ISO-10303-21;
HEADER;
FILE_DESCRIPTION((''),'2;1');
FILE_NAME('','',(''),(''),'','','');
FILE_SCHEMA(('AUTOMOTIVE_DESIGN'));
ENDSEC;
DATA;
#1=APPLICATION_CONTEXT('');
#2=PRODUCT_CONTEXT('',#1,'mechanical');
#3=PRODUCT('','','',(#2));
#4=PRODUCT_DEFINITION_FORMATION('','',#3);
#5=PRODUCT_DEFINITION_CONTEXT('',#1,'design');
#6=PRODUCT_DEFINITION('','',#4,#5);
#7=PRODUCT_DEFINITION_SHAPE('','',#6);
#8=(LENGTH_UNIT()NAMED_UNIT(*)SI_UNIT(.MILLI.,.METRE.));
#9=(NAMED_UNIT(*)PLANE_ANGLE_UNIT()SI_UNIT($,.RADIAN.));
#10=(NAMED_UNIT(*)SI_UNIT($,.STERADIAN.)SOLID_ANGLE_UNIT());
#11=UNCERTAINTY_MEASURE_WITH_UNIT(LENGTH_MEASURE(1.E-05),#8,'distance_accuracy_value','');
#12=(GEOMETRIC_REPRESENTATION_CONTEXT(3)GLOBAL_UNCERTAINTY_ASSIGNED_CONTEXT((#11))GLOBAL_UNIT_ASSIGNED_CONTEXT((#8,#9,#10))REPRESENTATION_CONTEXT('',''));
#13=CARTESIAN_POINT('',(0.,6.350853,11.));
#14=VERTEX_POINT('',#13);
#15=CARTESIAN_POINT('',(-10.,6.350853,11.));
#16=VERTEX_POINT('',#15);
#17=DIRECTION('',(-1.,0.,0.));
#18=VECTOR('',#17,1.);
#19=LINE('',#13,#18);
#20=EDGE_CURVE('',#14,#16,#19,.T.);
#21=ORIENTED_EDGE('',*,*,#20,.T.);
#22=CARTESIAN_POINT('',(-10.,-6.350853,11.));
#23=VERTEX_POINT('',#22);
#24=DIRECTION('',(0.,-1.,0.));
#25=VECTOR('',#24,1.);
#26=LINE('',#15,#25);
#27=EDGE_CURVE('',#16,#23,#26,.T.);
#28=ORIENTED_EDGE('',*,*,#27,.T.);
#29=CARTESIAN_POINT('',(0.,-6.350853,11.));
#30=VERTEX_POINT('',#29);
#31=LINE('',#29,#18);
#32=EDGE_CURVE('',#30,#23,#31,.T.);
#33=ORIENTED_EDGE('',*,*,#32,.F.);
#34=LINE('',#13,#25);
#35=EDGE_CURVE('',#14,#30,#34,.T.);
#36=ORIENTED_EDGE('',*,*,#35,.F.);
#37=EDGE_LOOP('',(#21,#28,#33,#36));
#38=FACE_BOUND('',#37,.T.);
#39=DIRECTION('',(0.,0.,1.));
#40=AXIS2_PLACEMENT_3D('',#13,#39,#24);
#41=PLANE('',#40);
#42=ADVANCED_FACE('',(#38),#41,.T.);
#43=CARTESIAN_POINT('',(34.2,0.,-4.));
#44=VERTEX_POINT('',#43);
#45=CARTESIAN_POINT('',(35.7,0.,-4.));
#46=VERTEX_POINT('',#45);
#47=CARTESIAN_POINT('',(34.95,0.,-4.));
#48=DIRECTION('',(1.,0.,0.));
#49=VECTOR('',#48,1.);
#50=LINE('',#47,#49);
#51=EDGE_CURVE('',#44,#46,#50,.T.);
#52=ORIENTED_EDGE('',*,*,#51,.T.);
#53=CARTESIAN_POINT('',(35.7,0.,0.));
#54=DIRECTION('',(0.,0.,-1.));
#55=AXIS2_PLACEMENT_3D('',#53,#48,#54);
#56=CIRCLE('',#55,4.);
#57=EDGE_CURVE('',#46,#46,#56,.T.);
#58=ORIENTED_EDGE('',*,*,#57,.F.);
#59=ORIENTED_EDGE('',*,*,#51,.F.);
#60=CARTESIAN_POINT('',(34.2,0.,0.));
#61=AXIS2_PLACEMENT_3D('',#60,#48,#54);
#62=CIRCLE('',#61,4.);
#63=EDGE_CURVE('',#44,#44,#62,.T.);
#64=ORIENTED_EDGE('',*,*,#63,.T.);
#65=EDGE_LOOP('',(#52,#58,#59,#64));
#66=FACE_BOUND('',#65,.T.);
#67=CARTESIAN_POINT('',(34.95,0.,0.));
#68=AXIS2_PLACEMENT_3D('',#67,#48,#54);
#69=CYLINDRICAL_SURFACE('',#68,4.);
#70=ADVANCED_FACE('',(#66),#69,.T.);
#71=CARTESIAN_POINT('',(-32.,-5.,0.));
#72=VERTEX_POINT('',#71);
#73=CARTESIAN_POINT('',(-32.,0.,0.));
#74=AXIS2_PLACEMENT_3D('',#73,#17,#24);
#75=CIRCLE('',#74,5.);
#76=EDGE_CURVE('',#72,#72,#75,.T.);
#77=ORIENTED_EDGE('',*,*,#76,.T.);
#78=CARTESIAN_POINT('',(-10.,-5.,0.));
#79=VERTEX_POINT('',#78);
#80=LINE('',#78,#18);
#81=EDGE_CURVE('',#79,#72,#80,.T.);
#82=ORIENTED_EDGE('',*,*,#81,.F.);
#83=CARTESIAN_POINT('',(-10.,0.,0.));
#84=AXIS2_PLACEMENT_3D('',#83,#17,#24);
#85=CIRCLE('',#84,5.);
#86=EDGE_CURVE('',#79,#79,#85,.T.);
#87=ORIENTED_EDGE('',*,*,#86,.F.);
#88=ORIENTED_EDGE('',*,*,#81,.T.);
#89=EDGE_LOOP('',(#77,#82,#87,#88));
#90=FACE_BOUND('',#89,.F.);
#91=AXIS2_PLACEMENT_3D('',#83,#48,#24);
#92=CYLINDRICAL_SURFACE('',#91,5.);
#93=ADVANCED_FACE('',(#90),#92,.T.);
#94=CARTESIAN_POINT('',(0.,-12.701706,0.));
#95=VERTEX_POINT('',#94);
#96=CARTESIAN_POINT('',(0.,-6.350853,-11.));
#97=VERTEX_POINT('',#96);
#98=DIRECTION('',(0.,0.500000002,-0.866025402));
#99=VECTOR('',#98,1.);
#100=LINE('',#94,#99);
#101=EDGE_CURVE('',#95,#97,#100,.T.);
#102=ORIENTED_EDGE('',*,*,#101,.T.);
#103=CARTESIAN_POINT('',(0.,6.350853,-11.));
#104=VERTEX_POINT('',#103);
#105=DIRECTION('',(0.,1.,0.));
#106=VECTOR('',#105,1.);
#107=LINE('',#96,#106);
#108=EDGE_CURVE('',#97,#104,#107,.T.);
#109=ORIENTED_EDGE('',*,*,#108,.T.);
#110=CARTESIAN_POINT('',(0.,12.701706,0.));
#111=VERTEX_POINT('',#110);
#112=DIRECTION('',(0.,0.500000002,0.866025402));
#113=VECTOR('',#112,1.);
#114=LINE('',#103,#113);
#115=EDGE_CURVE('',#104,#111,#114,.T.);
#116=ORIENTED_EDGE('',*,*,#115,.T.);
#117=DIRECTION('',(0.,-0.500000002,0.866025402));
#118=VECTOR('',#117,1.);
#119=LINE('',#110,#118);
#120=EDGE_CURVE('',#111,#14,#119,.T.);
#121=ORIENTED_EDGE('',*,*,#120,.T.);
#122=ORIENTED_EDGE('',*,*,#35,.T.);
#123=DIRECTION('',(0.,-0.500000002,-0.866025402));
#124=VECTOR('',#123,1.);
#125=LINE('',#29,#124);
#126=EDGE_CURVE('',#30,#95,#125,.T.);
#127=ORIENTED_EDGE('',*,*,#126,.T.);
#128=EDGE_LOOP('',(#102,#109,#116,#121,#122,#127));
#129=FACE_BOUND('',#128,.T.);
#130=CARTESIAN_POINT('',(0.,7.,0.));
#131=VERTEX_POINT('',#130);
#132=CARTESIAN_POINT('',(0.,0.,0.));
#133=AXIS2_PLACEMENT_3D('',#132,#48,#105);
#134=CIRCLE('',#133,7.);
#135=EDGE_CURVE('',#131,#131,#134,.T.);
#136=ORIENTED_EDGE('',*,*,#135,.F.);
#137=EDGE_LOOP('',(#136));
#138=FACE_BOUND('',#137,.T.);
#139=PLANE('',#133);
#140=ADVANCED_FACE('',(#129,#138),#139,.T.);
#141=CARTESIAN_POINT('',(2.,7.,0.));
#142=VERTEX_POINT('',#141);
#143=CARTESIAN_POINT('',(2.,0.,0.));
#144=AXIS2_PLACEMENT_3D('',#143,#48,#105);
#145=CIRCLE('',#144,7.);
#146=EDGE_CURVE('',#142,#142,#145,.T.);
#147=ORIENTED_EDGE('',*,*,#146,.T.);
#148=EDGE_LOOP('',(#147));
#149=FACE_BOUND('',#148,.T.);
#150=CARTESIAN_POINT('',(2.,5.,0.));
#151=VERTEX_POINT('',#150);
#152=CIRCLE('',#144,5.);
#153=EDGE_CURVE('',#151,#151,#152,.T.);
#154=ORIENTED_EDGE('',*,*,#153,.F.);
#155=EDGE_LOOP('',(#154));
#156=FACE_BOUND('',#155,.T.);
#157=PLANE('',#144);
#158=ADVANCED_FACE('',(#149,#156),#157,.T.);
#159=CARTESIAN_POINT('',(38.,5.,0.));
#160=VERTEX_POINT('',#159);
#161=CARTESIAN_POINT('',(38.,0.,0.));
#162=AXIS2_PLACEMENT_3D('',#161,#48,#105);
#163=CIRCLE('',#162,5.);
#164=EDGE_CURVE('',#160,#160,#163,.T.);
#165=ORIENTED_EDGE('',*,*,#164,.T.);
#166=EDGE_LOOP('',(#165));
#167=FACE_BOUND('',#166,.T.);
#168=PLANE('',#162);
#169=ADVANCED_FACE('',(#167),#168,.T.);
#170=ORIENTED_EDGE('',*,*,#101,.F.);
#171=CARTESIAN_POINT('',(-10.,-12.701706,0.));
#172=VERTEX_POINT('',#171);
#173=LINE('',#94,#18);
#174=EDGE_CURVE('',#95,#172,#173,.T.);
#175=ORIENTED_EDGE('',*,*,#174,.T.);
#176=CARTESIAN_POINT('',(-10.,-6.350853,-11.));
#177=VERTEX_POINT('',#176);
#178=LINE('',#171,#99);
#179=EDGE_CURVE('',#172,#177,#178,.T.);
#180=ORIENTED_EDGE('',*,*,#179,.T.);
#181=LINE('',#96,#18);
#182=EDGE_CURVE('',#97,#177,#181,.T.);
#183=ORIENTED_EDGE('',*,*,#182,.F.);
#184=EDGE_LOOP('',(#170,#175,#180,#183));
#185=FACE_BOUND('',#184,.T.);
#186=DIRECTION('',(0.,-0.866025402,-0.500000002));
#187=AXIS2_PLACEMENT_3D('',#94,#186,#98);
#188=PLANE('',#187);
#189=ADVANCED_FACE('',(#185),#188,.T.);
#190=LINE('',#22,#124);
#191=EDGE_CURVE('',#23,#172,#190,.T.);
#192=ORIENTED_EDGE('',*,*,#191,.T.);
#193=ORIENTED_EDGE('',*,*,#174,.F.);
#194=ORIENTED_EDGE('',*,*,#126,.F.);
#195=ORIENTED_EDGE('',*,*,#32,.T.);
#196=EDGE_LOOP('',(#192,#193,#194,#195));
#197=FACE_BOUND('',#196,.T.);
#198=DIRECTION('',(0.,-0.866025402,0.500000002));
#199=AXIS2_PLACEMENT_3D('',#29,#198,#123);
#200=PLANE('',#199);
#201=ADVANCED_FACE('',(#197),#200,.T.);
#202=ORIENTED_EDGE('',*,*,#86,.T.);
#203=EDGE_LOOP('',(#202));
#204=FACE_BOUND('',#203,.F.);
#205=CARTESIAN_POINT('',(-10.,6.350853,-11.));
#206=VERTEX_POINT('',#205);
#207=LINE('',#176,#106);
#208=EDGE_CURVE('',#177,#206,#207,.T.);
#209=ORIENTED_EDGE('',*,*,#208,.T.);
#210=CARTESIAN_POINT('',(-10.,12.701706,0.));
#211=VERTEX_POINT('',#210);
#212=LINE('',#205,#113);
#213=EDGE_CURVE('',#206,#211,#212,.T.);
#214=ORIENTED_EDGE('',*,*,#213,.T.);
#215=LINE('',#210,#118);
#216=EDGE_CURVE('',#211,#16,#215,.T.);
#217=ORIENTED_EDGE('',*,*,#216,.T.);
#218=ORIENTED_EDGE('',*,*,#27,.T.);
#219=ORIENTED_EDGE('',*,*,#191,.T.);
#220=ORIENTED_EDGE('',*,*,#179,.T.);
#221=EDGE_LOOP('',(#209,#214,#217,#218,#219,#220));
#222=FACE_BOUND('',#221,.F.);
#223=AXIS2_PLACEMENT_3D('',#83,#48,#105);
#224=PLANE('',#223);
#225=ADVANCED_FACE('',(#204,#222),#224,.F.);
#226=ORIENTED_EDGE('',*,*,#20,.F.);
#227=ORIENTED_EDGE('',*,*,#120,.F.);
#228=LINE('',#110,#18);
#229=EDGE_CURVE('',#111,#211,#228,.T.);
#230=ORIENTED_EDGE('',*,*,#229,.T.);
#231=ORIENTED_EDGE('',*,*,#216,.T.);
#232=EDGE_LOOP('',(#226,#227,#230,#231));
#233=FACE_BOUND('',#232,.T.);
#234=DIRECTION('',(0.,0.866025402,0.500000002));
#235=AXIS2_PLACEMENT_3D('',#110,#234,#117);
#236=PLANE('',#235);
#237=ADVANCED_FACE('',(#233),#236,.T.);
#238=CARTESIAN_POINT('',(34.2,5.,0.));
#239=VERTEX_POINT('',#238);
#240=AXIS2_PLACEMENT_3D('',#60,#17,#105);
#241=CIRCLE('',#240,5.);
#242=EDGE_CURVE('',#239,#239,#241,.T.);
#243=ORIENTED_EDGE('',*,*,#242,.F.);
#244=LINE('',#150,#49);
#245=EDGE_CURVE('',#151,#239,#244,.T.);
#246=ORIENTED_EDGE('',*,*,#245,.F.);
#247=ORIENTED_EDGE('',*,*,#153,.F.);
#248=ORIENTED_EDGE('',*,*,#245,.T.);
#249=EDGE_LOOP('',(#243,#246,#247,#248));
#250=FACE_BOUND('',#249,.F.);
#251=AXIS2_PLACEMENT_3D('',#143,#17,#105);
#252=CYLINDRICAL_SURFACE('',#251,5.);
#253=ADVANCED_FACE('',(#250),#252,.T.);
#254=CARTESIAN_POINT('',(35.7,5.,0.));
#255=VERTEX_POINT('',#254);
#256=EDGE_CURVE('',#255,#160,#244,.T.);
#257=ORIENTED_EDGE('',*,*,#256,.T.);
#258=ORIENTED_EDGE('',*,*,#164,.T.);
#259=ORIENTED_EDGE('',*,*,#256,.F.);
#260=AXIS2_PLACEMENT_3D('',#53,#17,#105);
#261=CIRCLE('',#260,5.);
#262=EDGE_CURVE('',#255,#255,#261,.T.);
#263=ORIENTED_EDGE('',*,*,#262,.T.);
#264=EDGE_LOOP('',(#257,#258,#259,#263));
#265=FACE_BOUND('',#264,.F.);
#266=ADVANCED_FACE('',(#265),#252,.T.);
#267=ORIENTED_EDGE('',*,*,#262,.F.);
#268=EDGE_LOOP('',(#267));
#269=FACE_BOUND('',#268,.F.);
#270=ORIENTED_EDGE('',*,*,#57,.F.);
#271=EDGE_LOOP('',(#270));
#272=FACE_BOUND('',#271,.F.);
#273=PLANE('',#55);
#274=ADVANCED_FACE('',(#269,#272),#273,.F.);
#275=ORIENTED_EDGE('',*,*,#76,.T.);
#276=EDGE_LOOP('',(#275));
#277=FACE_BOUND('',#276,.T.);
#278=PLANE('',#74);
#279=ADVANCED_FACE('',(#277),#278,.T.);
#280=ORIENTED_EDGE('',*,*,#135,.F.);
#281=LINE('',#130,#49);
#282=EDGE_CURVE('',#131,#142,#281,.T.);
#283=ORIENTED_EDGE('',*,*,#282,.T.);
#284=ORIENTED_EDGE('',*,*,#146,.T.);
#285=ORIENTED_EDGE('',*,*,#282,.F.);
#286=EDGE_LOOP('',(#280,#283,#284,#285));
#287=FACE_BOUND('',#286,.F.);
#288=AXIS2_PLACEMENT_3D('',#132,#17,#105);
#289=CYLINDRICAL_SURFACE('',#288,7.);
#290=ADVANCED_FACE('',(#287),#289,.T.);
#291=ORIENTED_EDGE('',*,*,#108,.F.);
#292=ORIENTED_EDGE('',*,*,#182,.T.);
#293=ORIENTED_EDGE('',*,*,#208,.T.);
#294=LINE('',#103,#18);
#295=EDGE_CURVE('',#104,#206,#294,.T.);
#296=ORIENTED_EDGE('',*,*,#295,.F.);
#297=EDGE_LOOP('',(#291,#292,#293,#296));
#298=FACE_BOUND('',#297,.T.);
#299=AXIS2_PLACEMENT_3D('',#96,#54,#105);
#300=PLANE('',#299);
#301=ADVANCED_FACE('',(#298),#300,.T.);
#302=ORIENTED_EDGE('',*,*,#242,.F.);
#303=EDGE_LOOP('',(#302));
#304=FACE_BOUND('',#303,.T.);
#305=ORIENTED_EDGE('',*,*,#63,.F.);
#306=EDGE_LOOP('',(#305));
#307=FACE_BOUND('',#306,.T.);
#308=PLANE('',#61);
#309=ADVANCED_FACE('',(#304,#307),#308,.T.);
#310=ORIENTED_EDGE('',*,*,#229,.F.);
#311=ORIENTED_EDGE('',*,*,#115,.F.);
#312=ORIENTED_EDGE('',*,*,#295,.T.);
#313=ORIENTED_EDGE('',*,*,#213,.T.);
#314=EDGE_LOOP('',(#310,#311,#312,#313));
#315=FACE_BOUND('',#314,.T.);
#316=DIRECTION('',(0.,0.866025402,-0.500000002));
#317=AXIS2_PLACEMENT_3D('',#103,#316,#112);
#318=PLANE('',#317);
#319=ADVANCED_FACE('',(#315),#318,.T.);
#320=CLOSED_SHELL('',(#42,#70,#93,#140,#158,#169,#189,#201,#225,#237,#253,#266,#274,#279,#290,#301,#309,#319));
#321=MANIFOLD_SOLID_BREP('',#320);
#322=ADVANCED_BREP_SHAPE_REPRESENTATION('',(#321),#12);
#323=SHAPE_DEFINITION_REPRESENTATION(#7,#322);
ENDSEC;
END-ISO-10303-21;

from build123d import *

# Parameters (mm, degrees)
F1_DEPTH = 10
F2_R     = 7
F3_DEPTH = 2
F4_R     = 5
F5_DEPTH = 36
F6_W     = 1.5
F6_H     = 1.416463
F8_R     = 5
F9_DEPTH = 22


with BuildPart() as f1:
    # F0 (on Right) → F1 (new body)
    with BuildSketch(Plane.YZ):
        Polygon((-6.350853, -11), (6.350853, -11), (12.701706, 0), (6.350853, 11), (-6.350853, 11), (-12.701706, 0), align=None)
    extrude(amount=-F1_DEPTH)

    # F2 (on face) → F3 (join)
    with BuildSketch(Plane.YZ):
        Circle(F2_R)
    extrude(amount=F3_DEPTH)

    # F4 (on face) → F5 (join)
    with BuildSketch(Plane.YZ.offset(2)):
        Circle(F4_R)
    extrude(amount=F5_DEPTH)

    # F6 (on Front) → F7 (revolve, cut)
    with BuildSketch(Plane.XZ):
        with Locations((34.95, -4.708232)):
            Rectangle(F6_W, F6_H)
    revolve(axis=Axis((38, 0, 0), (1, 0, 0)), mode=Mode.SUBTRACT)

    # F8 (on face) → F9 (join)
    with BuildSketch(Plane(origin=(-10, 0, 0), x_dir=(0, -1, 0), z_dir=(-1, 0, 0))):
        Circle(F8_R)
    extrude(amount=F9_DEPTH)


solid = f1.part
